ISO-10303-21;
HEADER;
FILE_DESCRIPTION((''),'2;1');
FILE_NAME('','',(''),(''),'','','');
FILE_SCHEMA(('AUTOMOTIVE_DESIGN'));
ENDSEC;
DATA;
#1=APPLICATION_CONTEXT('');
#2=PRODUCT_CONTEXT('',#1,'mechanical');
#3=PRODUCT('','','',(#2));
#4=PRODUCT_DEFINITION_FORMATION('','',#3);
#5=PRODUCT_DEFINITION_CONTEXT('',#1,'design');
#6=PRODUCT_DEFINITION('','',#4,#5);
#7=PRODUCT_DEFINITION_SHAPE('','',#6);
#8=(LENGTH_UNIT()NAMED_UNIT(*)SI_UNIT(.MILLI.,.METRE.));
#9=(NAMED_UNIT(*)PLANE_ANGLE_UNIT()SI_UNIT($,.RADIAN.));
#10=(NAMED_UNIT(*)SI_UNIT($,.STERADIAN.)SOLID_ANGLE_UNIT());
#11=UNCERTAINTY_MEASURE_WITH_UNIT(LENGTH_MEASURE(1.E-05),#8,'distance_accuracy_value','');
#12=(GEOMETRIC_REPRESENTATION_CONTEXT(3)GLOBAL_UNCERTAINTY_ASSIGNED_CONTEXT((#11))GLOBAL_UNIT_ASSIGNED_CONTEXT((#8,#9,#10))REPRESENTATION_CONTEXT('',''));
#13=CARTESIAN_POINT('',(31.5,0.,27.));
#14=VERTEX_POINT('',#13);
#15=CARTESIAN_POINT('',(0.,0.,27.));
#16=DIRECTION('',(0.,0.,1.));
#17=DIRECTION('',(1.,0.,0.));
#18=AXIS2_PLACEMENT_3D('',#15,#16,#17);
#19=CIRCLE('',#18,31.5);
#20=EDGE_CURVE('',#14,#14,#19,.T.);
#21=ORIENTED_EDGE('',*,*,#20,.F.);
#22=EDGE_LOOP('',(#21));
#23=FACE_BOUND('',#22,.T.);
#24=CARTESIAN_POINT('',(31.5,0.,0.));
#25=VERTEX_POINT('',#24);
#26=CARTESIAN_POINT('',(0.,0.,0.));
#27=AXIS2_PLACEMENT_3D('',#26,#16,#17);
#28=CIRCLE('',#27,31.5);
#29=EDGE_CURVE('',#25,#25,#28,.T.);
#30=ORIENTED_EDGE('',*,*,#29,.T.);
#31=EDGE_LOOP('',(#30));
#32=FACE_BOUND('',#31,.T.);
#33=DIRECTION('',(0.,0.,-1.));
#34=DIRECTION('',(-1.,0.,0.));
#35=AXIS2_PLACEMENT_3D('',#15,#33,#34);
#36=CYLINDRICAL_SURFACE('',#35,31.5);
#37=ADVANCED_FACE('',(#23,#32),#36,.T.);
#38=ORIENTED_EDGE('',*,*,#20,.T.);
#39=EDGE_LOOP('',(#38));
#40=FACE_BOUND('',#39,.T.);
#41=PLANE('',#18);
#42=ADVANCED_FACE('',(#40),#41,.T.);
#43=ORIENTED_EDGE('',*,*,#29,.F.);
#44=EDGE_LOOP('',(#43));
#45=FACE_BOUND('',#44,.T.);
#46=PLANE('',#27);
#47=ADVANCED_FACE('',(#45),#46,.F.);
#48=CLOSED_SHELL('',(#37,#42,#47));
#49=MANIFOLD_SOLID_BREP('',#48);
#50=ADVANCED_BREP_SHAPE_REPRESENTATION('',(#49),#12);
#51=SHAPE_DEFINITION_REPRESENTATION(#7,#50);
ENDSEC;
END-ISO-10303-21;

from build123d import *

# Parameters (mm, degrees)
SKETCH_1_R      = 31.5
EXTRUDE_1_DEPTH = 27


with BuildPart() as part:
    # 草圖1 → 填料-伸長1 (new body)
    with BuildSketch(Plane.XY):
        Circle(SKETCH_1_R)
    extrude(amount=EXTRUDE_1_DEPTH)


solid = part.part
